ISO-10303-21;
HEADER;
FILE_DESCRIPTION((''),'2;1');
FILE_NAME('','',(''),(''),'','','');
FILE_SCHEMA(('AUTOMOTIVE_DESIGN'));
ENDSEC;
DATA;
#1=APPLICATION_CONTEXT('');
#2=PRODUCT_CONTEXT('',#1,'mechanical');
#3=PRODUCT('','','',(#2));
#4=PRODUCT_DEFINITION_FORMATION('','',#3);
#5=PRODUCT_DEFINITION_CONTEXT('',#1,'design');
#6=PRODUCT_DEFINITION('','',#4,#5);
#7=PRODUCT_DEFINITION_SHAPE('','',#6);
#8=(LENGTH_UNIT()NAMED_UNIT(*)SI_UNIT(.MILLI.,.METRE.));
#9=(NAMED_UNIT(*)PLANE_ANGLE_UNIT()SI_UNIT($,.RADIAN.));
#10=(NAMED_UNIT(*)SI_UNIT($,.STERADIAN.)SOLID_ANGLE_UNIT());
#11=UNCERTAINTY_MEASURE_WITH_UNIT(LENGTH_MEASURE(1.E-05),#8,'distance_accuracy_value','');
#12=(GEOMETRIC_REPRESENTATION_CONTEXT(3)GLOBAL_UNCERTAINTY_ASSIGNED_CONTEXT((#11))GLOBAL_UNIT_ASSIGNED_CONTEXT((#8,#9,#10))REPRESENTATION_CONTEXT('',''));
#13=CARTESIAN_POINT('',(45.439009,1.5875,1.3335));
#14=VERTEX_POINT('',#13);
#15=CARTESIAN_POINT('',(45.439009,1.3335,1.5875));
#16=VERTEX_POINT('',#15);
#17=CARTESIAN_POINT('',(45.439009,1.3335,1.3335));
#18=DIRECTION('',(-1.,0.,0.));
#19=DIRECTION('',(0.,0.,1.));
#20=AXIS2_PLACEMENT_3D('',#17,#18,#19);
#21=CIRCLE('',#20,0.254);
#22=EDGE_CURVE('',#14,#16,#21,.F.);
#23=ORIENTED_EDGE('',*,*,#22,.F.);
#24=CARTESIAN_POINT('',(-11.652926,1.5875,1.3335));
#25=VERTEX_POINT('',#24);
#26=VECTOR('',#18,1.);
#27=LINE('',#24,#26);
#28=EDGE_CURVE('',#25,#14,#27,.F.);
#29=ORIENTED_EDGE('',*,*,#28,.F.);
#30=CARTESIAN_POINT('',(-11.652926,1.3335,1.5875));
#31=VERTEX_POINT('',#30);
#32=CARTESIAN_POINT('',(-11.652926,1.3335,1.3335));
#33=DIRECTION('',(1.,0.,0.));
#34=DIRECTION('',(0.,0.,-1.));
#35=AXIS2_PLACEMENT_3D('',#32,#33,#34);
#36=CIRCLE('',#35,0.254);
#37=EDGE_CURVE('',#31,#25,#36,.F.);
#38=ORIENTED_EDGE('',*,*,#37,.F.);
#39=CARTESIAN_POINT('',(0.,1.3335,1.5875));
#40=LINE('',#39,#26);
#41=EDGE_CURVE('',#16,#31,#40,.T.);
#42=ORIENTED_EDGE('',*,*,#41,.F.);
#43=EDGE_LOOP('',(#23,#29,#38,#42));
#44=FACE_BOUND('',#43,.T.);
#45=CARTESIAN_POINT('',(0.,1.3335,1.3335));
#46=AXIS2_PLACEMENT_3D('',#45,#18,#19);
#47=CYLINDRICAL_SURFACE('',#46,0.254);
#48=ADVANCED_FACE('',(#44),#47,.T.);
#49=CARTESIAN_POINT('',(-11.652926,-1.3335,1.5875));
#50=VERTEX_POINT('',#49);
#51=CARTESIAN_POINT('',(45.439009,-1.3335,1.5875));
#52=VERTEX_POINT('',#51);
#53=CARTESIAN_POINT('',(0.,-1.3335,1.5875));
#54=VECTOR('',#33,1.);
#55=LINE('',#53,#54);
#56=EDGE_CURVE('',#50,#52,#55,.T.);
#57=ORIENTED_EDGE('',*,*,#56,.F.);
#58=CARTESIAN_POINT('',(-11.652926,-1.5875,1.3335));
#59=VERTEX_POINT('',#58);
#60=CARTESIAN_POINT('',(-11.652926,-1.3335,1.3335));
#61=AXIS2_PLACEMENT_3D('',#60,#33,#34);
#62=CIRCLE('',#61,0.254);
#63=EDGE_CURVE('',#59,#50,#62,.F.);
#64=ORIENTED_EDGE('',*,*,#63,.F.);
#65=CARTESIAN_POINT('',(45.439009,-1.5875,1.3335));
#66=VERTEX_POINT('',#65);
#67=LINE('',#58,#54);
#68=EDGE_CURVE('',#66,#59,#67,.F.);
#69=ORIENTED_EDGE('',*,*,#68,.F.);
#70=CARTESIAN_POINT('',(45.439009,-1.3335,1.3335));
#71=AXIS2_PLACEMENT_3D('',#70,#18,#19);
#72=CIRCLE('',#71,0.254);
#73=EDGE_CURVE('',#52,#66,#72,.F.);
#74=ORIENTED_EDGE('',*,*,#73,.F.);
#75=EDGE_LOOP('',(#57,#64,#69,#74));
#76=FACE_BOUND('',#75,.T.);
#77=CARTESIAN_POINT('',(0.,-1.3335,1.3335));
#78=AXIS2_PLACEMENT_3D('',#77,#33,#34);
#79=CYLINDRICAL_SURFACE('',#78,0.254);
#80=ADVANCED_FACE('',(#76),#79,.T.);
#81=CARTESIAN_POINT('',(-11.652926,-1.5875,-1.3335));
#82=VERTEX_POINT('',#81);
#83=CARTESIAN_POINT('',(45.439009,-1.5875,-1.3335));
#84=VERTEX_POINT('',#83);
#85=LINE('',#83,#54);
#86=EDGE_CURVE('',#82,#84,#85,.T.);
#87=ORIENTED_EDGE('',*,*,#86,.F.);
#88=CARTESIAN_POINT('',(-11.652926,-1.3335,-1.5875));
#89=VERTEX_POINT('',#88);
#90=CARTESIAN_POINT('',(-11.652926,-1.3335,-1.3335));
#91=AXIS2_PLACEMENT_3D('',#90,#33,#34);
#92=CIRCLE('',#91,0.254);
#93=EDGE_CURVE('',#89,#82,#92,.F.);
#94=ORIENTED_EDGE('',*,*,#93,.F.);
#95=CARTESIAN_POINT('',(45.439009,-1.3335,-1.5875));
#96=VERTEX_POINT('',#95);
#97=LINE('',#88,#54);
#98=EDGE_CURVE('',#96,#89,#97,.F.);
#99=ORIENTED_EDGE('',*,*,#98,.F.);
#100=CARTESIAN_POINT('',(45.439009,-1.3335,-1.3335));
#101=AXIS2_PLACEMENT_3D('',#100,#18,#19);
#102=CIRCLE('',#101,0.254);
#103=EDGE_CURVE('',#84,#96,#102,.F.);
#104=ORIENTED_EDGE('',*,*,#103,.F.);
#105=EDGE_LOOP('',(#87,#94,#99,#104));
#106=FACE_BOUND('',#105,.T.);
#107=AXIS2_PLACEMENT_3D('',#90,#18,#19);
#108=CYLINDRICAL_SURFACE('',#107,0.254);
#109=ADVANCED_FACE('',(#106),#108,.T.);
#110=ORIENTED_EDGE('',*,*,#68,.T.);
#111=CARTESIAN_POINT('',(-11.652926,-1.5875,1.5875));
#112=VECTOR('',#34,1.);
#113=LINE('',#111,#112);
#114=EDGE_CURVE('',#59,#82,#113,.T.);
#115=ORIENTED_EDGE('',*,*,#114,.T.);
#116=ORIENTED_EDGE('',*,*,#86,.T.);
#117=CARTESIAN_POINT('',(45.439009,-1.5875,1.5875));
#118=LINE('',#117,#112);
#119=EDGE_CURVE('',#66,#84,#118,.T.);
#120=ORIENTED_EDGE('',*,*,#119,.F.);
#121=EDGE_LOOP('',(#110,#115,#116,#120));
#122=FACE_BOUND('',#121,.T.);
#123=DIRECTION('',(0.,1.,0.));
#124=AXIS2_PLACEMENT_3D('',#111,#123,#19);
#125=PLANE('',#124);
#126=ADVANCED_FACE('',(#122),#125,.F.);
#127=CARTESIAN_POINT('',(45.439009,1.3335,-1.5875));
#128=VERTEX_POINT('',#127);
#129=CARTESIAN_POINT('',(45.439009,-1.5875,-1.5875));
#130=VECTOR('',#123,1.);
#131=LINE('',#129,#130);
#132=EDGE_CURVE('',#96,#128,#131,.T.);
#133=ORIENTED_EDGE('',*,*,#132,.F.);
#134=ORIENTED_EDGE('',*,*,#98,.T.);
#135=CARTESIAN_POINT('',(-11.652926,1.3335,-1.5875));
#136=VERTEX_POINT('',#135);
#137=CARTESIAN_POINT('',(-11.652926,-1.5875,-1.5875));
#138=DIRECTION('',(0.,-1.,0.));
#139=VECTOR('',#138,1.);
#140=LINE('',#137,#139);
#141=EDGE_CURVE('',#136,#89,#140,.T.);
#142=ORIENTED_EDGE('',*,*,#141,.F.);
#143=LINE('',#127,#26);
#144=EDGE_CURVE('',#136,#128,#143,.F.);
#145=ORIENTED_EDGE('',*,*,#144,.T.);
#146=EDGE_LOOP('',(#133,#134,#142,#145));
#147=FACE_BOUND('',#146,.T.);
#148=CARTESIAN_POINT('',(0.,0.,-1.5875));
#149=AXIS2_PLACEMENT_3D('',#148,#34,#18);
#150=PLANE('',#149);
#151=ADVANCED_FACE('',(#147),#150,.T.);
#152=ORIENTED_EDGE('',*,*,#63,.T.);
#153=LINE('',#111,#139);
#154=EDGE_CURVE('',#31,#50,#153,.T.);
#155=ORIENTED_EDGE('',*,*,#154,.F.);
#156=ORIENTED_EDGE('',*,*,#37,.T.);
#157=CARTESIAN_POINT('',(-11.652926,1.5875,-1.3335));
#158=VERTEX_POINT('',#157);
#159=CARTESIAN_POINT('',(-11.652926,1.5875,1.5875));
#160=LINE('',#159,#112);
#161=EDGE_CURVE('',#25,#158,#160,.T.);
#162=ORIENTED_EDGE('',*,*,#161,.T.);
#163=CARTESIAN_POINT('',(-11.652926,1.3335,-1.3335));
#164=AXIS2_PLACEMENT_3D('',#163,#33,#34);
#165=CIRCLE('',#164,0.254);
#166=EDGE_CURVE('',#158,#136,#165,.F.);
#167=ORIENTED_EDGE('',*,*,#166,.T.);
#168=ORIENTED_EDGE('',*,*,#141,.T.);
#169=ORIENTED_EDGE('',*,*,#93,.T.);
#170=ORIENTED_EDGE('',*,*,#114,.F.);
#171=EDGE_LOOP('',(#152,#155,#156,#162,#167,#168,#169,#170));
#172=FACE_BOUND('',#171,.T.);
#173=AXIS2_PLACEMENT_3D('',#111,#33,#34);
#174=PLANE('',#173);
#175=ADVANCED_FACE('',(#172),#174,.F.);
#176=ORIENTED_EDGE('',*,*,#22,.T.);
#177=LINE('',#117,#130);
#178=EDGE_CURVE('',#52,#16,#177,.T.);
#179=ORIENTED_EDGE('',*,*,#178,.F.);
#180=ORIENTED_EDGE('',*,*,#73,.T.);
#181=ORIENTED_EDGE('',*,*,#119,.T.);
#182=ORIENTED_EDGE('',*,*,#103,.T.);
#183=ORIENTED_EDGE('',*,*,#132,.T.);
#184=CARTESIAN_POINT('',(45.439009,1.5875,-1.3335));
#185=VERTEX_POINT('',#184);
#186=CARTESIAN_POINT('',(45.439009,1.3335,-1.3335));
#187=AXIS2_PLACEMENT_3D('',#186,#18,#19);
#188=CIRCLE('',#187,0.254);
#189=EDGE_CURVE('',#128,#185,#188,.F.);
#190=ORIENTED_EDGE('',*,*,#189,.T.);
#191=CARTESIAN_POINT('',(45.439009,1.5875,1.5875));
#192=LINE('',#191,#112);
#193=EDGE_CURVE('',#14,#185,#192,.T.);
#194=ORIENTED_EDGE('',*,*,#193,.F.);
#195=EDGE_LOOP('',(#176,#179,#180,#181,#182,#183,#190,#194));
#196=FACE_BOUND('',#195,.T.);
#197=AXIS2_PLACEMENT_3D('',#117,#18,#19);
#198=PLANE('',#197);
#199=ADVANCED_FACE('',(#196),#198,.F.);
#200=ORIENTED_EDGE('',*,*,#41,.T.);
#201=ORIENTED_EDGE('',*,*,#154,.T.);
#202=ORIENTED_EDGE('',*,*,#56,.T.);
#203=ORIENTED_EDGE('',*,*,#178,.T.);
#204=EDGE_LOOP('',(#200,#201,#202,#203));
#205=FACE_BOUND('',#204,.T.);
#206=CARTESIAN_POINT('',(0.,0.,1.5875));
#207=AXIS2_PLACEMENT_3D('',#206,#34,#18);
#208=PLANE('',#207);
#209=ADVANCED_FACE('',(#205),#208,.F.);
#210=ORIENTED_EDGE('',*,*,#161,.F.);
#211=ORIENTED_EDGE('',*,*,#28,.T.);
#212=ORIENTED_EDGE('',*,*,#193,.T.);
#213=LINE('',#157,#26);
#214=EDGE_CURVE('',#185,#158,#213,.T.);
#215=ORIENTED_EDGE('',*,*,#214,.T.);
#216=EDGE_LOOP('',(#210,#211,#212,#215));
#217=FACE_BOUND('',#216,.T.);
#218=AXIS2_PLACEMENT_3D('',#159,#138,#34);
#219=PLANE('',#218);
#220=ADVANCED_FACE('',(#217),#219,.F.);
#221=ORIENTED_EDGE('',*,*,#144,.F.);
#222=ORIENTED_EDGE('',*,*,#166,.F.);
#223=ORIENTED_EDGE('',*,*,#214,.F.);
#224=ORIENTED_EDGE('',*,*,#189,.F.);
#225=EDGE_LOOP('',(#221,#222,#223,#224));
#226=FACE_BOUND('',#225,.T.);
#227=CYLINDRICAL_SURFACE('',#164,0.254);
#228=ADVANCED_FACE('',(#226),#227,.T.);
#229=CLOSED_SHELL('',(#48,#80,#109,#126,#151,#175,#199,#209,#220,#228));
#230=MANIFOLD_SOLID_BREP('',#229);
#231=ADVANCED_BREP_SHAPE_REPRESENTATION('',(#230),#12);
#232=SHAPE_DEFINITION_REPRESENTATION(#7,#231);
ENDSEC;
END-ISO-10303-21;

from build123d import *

# Parameters (mm, degrees)
SKETCH1_W           = 57.091934932
SKETCH1_H           = 3.175
BOSS_EXTRUDE1_DEPTH = 1.5875
FILLET1_R           = 0.254


with BuildPart() as part:
    # Sketch1 → Boss-Extrude1 (new, symmetric)
    with BuildSketch(Plane.XY):
        with Locations((16.893041934, 0)):
            Rectangle(SKETCH1_W, SKETCH1_H)
    extrude(amount=BOSS_EXTRUDE1_DEPTH, both=True)

    # Fillet1
    fillet1_edges = [part.edges().sort_by_distance(p)[0] for p in [
        (16.893041934, -1.5875, 1.5875),
        (16.893041934, -1.5875, -1.5875),
        (16.893041934, 1.5875, -1.5875),
        (16.893041934, 1.5875, 1.5875),
    ]]
    fillet(fillet1_edges, radius=FILLET1_R)


solid = part.part
